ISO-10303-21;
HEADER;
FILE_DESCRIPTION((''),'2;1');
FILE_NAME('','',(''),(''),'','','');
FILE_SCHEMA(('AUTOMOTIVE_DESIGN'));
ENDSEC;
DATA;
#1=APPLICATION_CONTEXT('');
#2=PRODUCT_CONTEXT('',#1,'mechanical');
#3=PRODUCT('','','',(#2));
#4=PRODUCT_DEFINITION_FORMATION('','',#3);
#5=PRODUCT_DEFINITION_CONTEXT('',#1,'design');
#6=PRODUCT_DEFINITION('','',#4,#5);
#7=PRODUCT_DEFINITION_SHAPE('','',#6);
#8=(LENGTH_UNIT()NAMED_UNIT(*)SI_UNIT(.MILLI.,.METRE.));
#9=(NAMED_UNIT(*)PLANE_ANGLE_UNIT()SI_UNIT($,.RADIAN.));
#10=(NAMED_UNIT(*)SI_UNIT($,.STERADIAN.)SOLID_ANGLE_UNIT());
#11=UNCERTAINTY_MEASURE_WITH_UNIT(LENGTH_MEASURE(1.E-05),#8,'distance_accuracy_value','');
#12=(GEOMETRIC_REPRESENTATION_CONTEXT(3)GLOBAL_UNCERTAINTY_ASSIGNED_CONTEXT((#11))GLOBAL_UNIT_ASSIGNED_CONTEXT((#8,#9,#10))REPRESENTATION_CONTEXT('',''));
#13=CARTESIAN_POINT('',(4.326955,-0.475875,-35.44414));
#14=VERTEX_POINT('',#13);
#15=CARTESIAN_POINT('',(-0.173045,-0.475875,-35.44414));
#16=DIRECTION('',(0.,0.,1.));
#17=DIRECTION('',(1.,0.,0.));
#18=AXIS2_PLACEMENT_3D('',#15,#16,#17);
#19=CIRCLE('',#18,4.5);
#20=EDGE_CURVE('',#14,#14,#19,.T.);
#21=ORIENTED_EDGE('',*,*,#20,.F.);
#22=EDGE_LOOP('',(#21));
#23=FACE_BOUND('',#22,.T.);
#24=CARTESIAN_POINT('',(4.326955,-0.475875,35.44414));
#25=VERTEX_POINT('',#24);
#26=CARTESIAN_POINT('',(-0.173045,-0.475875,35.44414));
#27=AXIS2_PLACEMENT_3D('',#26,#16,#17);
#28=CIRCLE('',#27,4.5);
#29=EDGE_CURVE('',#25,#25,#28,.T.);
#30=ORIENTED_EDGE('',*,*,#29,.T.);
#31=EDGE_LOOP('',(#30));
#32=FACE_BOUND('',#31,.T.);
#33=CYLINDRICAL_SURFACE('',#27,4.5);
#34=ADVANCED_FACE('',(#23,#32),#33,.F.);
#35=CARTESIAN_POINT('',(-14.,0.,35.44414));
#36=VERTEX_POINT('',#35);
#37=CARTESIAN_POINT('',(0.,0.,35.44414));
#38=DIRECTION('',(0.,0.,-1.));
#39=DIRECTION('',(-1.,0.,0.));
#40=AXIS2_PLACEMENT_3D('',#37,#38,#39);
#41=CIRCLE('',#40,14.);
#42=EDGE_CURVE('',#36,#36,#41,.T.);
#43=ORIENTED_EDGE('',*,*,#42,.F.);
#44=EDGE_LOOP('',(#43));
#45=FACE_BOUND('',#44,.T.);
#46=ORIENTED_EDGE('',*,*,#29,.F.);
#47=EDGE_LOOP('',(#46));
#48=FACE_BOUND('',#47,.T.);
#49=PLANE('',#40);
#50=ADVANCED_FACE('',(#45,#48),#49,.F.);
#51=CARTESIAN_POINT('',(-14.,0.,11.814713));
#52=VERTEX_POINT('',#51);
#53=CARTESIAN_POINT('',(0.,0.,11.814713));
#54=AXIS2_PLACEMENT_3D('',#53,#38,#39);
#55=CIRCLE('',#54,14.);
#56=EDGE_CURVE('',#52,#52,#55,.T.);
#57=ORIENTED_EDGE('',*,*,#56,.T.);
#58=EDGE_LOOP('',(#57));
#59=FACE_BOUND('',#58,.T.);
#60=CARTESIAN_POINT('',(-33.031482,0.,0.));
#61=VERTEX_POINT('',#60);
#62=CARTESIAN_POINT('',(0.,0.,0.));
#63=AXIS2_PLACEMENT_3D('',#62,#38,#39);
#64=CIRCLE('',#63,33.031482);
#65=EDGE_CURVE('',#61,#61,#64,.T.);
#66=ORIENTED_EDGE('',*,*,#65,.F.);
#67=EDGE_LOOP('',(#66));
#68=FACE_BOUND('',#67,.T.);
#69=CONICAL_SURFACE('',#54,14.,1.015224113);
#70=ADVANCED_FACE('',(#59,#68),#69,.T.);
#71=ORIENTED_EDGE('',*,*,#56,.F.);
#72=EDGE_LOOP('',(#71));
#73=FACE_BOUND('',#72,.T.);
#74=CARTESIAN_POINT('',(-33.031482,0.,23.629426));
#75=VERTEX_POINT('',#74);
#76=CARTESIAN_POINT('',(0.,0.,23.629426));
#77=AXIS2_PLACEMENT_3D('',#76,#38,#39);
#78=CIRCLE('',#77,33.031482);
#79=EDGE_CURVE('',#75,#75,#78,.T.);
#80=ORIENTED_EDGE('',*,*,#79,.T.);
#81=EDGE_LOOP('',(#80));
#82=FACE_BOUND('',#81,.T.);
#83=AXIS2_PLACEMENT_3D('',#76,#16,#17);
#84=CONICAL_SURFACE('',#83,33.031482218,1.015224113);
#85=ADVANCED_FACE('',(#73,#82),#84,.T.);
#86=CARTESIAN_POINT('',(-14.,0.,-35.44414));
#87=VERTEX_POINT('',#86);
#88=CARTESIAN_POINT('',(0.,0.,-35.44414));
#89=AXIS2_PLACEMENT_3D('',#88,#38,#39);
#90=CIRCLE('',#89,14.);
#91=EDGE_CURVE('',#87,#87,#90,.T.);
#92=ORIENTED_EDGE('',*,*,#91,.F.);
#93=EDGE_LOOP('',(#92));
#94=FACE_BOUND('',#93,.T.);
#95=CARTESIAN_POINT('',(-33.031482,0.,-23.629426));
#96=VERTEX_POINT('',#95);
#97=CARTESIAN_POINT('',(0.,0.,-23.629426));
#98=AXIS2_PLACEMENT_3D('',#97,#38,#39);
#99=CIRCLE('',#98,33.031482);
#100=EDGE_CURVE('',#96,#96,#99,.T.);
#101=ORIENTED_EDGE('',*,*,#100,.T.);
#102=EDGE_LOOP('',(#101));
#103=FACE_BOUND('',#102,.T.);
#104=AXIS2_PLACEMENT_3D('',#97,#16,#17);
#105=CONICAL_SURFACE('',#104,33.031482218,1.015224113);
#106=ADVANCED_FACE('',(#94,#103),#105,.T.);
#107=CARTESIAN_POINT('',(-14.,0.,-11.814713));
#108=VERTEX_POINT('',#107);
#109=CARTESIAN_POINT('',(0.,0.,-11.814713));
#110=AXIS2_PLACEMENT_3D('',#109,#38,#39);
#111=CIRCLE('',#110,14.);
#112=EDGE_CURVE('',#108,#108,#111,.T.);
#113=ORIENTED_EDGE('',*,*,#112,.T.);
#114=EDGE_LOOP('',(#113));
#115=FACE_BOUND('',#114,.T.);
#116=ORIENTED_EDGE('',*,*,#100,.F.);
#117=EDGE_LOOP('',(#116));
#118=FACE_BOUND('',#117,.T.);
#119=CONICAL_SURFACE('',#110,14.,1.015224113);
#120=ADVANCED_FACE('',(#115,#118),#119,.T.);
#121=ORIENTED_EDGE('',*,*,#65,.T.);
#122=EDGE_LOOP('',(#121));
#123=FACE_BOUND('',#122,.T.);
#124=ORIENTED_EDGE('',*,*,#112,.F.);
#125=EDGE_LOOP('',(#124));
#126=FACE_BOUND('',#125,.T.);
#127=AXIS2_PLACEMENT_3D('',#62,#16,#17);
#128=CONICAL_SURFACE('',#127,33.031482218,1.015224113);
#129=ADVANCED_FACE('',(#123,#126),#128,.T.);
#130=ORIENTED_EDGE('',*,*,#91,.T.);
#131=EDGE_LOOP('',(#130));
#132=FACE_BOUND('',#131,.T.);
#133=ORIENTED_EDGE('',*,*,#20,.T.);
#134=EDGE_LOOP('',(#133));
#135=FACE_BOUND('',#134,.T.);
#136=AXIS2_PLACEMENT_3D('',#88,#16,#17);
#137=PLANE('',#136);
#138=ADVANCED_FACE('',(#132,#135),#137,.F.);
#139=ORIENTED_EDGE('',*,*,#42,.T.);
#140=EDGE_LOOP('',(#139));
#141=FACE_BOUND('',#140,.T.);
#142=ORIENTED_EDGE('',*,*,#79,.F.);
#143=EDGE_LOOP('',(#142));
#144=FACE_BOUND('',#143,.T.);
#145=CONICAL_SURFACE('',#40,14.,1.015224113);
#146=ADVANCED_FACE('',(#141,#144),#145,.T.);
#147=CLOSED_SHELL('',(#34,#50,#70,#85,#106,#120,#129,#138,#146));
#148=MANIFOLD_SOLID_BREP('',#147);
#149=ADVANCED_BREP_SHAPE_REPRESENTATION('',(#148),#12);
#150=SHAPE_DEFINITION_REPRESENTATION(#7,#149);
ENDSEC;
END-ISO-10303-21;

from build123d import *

# Parameters (mm, degrees)
TALADRO_DE_MARGEN_PARA_M81_D = 9


with BuildPart() as part:
    # Croquis1 → Revolución1 (revolve)
    with BuildSketch(Plane(origin=(0, 0, 0), x_dir=(1, 0, 0), z_dir=(0, 1, 0))):
        Polygon((0, 35.444139638), (0, -35.444139638), (14, -35.444139638), (33.031482218, -23.629426425), (14, -11.814713213), (33.031482218, 0), (14, 11.814713213), (33.031482218, 23.629426425), (14, 35.444139638), align=None)
    revolve(axis=Axis((0, 0, -35.444139638), (0, 0, 1)))

    # Taladro de margen para M81 (through all)
    with Locations(Plane.XY.offset(35.444139638)):
        with Locations((-0.173045489, -0.475875094)):
            Hole(TALADRO_DE_MARGEN_PARA_M81_D / 2)


solid = part.part
